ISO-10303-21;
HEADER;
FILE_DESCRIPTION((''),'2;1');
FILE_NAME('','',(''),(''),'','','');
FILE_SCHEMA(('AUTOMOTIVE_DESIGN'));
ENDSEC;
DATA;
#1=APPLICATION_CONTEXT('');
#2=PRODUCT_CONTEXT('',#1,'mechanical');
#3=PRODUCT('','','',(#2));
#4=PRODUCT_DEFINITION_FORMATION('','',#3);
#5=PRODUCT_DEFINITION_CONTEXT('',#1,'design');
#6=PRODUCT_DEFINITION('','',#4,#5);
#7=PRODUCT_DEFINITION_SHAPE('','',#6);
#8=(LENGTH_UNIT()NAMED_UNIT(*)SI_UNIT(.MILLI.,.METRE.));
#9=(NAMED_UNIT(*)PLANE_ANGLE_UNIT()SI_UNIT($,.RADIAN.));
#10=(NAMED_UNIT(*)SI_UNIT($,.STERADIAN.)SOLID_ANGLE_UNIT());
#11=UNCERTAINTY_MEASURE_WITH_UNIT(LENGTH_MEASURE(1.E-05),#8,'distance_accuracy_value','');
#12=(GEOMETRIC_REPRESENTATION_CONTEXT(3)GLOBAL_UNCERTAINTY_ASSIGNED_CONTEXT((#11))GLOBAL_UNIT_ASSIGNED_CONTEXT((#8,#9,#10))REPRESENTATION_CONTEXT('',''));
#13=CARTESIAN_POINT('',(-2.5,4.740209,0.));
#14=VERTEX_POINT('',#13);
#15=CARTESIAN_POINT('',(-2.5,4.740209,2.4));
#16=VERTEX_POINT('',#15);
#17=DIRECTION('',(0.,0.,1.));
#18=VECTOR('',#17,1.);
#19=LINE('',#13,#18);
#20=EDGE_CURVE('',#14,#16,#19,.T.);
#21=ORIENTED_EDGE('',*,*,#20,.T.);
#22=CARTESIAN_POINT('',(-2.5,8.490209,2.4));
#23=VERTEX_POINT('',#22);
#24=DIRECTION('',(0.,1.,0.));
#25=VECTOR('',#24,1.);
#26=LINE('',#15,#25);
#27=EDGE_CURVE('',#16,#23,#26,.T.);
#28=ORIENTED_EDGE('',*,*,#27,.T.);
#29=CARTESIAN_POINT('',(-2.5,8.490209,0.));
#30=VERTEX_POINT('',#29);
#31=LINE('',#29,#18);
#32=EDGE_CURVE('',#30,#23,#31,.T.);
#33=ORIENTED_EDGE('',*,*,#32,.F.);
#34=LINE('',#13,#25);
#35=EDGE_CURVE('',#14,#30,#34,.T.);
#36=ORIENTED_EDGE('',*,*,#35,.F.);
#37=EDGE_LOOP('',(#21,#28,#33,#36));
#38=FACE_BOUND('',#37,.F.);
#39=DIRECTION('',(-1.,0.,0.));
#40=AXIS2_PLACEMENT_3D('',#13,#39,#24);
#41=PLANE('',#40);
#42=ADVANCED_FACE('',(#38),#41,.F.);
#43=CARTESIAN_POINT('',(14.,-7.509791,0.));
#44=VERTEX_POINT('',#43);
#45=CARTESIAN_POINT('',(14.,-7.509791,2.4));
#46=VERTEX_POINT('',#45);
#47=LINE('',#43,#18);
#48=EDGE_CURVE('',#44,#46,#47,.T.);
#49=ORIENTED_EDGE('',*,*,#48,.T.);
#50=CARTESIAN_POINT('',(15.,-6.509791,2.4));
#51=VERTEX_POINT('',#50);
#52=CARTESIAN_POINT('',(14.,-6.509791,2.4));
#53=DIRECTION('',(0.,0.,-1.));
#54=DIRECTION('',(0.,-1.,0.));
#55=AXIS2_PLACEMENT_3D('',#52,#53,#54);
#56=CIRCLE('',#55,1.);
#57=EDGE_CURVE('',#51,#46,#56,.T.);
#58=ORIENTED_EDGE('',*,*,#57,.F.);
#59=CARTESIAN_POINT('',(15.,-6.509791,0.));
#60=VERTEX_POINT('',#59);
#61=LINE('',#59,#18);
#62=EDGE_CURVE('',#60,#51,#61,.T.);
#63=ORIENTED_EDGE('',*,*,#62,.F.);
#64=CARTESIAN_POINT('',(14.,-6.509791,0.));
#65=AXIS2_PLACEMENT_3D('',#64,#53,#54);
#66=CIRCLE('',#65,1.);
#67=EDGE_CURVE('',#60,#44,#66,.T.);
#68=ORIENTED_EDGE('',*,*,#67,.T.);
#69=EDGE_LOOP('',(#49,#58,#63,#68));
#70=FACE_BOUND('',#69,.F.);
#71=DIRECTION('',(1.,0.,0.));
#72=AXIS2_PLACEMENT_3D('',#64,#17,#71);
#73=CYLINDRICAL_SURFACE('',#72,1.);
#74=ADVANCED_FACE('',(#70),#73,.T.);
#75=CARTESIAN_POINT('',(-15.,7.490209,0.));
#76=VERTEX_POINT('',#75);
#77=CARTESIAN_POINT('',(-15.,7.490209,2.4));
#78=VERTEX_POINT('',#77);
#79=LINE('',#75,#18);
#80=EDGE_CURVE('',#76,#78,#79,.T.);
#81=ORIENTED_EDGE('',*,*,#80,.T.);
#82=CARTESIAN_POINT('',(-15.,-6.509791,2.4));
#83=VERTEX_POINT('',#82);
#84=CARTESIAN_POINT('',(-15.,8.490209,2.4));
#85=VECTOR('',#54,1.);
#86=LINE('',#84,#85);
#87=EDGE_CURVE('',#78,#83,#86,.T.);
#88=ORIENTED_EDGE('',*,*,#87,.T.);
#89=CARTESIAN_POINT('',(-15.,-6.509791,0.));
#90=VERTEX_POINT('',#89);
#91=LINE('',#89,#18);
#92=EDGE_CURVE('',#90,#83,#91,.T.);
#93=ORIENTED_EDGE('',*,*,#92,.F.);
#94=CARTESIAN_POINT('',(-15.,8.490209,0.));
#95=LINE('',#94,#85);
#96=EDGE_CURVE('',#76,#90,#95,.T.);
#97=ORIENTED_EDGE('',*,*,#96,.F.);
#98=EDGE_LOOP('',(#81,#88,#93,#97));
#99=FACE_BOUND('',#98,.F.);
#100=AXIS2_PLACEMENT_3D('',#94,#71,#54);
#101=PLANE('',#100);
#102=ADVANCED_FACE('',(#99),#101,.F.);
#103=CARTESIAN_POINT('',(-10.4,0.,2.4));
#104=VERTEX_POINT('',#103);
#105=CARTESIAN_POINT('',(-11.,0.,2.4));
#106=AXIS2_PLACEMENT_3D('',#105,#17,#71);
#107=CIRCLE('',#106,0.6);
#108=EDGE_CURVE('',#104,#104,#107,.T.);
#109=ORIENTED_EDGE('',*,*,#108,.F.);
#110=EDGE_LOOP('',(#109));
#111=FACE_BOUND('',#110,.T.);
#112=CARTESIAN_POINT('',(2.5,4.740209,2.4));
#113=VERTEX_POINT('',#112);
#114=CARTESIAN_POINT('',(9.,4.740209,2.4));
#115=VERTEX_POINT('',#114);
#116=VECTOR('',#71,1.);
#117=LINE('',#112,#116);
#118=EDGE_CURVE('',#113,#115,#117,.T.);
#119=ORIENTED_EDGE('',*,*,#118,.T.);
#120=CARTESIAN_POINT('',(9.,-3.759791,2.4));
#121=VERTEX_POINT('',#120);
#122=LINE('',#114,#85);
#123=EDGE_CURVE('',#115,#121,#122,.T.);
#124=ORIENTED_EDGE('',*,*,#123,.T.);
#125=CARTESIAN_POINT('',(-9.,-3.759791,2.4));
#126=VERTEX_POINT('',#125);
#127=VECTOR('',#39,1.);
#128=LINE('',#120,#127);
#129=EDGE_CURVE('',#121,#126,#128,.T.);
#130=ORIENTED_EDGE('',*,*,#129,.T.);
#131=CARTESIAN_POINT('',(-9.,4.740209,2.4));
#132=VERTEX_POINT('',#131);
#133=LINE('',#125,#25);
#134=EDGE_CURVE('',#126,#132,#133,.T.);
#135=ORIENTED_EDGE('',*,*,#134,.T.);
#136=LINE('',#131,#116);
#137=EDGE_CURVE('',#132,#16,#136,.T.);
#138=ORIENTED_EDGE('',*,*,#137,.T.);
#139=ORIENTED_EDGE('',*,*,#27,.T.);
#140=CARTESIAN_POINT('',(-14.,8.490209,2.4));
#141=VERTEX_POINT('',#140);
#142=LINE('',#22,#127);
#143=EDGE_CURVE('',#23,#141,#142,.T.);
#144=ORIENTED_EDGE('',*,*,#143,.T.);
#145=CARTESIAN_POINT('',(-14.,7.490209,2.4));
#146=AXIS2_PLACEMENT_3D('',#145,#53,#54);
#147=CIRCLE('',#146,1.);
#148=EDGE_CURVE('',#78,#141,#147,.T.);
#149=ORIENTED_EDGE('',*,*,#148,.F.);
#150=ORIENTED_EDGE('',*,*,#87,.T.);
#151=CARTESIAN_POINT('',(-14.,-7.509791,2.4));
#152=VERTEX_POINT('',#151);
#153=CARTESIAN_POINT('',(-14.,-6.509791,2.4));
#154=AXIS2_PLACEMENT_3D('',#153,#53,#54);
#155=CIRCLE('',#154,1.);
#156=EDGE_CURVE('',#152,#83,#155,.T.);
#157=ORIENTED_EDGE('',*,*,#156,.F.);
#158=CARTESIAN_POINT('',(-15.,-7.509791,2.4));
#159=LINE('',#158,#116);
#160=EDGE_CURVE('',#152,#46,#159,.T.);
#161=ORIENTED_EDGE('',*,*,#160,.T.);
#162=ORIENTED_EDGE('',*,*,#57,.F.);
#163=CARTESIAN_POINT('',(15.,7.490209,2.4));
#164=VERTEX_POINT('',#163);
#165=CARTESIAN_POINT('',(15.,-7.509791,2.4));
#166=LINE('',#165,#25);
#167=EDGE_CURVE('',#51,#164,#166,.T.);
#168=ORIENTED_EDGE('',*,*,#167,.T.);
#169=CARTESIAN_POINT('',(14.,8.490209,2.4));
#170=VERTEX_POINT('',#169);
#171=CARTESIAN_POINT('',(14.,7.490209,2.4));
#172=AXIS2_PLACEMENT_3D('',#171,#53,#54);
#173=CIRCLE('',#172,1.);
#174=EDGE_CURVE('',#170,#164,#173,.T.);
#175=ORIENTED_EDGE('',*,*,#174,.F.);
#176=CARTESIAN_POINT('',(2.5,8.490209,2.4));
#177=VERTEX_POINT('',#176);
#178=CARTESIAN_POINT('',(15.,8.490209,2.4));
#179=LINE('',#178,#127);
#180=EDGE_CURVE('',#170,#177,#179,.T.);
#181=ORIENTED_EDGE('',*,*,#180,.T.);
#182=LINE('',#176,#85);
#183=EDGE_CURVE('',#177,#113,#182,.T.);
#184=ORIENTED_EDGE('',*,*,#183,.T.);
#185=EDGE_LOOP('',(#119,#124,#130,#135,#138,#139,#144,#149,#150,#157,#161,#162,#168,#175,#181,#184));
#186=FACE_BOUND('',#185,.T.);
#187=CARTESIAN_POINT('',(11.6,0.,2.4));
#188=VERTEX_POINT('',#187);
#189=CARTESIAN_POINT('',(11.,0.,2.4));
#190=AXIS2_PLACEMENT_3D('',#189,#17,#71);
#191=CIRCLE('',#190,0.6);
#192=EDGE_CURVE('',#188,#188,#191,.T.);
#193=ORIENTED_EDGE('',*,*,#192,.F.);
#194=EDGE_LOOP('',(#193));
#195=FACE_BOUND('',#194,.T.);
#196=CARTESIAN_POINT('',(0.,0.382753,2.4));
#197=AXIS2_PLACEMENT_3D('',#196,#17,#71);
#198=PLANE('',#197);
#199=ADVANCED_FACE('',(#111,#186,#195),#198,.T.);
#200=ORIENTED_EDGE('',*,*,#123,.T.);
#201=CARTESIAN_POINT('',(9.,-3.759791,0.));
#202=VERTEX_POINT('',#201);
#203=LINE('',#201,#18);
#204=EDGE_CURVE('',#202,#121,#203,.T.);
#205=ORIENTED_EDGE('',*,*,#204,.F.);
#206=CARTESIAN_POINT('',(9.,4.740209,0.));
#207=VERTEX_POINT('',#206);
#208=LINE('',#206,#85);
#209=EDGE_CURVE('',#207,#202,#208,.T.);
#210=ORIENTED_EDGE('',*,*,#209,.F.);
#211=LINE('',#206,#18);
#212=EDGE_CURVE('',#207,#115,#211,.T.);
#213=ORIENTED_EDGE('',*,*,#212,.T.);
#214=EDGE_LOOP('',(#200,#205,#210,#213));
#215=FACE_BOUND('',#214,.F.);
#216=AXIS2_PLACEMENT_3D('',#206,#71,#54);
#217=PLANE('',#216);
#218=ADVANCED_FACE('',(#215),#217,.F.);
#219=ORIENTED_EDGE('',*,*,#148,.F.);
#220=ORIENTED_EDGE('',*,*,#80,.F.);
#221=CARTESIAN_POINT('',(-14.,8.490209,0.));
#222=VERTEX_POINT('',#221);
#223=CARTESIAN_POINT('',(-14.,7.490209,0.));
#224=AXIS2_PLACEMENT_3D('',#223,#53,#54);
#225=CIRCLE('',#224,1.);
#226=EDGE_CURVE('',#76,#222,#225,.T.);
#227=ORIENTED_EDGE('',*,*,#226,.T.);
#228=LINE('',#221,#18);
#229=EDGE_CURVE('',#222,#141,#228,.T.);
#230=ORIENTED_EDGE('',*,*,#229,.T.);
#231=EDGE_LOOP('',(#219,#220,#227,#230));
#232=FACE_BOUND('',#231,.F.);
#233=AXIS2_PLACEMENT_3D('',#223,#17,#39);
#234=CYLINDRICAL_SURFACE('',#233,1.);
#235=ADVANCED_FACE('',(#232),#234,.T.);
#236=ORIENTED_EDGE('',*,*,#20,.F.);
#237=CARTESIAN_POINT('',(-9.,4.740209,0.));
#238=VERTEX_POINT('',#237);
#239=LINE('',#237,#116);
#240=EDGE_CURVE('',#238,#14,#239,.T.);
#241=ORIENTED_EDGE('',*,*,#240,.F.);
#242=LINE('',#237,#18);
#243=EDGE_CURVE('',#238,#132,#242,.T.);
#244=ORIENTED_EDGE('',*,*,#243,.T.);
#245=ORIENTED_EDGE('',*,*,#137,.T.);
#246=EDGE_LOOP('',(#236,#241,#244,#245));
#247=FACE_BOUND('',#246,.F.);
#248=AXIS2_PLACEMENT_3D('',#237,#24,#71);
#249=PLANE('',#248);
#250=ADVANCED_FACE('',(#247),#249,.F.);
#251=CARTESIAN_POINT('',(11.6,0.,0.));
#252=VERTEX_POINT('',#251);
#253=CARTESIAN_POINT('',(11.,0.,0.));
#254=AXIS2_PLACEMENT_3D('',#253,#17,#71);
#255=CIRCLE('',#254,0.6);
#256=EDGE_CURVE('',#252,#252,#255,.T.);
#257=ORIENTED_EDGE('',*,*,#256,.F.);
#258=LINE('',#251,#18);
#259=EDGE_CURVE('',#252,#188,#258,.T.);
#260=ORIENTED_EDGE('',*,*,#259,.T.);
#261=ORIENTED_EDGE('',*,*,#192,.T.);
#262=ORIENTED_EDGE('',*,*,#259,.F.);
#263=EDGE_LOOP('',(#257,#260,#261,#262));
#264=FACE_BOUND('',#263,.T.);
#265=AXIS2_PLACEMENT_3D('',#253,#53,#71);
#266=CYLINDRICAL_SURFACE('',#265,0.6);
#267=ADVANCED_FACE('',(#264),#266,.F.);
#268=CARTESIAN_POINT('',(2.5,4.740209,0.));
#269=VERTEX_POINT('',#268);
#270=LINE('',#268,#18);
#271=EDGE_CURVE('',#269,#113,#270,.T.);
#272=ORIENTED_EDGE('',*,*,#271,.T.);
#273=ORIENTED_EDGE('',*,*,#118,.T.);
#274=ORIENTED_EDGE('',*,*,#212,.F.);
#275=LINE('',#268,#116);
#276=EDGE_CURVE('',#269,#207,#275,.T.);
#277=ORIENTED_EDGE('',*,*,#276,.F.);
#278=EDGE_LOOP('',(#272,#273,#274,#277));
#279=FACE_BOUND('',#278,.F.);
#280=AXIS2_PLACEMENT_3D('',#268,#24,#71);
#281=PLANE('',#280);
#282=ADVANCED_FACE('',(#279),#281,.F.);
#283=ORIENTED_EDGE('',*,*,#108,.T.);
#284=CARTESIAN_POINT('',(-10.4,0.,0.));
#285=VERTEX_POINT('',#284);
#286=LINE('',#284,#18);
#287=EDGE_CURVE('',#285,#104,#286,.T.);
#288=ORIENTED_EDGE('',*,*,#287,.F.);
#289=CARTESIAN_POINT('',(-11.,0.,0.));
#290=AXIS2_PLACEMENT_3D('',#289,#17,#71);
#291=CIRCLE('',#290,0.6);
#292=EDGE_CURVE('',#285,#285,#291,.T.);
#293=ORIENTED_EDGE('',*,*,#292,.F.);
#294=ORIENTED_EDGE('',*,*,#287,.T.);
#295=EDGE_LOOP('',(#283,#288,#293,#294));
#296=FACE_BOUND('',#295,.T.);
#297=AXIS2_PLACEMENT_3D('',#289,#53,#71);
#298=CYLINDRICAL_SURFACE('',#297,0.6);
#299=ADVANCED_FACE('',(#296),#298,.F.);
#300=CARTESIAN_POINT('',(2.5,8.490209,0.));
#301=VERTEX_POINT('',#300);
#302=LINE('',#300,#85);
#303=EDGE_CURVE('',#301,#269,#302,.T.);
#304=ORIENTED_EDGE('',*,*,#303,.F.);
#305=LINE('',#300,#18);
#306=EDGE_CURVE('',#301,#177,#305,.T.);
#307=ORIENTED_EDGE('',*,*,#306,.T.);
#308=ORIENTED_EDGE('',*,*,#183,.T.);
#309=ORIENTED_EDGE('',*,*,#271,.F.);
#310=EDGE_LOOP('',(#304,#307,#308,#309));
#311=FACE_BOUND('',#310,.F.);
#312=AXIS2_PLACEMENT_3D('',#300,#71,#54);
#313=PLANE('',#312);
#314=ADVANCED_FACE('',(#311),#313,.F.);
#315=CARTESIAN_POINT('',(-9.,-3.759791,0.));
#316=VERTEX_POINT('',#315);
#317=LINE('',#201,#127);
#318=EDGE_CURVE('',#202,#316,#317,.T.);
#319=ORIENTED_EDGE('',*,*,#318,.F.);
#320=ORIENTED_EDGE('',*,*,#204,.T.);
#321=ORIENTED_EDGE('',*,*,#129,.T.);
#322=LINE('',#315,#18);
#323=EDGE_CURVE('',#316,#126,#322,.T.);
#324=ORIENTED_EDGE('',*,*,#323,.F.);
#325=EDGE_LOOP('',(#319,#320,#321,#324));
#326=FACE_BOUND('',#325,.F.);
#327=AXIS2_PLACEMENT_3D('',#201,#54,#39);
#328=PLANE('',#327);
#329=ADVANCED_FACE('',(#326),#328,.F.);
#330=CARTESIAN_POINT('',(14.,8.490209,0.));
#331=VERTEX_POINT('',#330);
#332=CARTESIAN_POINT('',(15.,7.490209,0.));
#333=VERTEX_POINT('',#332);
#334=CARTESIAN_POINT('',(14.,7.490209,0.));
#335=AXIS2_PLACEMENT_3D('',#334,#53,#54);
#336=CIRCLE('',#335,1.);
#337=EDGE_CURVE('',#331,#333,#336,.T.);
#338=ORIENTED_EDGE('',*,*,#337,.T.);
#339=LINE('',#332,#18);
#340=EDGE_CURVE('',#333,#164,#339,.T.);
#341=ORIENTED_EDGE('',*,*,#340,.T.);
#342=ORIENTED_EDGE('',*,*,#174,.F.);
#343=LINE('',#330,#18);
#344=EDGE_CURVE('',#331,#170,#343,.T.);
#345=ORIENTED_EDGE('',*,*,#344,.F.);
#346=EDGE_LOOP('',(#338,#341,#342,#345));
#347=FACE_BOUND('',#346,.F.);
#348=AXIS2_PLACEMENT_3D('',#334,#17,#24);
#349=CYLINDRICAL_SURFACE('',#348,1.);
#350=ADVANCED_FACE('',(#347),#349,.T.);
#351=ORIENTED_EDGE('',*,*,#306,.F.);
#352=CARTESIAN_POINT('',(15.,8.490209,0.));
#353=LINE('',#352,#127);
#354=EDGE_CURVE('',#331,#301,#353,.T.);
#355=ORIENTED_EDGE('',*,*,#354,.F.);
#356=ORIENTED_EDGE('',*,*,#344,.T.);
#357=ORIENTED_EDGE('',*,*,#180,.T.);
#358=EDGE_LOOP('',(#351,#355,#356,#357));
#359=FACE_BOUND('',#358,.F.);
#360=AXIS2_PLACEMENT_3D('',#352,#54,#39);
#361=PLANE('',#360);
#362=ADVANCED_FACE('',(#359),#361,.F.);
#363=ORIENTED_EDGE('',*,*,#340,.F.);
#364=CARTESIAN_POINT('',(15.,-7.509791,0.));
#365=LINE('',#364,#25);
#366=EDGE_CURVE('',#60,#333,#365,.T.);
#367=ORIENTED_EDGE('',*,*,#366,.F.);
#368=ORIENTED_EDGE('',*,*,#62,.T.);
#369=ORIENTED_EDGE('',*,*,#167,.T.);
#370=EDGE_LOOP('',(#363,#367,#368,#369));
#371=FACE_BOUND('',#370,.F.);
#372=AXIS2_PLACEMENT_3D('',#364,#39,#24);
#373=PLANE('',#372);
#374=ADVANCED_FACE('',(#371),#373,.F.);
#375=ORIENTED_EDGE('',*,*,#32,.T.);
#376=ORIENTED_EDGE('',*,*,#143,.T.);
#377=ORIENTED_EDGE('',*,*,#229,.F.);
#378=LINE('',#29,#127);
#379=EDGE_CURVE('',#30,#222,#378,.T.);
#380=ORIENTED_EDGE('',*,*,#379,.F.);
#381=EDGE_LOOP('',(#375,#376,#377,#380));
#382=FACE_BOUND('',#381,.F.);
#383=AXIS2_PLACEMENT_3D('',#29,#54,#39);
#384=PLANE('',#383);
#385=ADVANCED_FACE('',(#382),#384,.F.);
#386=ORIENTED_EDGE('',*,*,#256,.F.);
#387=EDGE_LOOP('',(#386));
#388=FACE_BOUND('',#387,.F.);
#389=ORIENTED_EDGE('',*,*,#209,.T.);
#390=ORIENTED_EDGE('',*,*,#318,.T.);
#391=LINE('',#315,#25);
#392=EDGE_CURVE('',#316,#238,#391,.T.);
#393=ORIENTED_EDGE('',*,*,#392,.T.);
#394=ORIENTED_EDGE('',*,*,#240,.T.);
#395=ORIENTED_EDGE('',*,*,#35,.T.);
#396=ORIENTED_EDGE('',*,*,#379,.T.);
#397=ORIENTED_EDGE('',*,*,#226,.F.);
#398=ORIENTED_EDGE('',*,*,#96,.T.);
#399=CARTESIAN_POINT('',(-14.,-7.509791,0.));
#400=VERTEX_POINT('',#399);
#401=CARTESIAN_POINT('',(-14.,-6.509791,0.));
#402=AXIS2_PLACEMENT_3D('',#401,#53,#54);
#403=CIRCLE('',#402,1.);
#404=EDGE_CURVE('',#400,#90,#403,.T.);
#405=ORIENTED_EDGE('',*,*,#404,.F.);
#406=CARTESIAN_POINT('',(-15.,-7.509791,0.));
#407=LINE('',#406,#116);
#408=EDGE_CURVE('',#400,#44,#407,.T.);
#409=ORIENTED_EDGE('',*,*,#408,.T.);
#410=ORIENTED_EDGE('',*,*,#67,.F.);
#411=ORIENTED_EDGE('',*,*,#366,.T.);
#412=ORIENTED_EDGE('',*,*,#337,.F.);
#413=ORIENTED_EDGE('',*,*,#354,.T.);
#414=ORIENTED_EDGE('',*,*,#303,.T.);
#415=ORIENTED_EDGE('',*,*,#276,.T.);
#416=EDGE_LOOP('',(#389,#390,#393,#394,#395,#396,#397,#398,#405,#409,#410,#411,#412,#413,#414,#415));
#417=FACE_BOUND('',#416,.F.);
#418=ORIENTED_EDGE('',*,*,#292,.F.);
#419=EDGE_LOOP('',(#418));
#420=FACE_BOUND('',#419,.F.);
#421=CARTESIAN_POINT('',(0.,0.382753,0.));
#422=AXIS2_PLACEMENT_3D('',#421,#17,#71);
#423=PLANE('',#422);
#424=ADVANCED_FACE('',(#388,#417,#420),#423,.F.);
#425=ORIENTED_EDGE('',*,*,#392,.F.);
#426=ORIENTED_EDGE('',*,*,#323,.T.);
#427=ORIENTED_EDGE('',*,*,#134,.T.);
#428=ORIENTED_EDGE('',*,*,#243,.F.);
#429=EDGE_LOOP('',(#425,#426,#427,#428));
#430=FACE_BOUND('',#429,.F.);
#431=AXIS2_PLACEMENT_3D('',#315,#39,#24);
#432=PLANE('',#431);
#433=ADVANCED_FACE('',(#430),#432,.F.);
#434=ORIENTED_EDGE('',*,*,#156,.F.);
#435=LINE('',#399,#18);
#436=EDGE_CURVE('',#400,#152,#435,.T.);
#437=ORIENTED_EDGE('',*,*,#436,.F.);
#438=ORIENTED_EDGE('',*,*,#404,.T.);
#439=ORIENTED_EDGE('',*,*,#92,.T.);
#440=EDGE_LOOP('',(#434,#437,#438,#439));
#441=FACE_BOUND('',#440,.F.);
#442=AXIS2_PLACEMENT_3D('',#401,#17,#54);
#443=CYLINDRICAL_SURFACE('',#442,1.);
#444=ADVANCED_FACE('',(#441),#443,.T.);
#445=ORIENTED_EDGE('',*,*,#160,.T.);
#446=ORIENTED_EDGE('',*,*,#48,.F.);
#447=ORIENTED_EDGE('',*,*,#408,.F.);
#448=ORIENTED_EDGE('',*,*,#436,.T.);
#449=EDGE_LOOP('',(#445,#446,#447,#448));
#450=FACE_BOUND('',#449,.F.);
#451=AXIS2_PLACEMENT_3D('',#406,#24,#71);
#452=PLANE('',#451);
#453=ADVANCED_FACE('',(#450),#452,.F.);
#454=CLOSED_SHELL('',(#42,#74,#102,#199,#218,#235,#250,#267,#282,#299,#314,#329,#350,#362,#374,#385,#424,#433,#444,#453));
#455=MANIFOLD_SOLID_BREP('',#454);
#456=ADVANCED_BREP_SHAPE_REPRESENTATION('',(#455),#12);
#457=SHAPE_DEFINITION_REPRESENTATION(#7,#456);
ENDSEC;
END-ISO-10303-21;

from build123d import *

# Parameters (mm, degrees)
F0_R     = 0.6
F1_DEPTH = 2.4
F2_R     = 1


with BuildPart() as f1:
    # F0 (on Top) → F1 (new body)
    with BuildSketch(Plane.XY):
        Polygon((2.5, 8.490209), (2.5, 4.740209), (9, 4.740209), (9, -3.759791), (0, -3.759791), (-9, -3.759791), (-9, 4.740209), (-2.5, 4.740209), (-2.5, 8.490209), (-15, 8.490209), (-15, -7.509791), (0, -7.509791), (15, -7.509791), (15, 8.490209), align=None)
        with Locations((-11, 0)):
            Circle(F0_R, mode=Mode.SUBTRACT)
        with Locations((11, 0)):
            Circle(F0_R, mode=Mode.SUBTRACT)
    extrude(amount=F1_DEPTH)

    # F2
    f2_edges = [f1.edges().sort_by_distance(p)[0] for p in [
        (15, 8.490209, 1.2),
        (15, -7.509791, 1.2),
        (-15, 8.490209, 1.2),
        (-15, -7.509791, 1.2),
    ]]
    fillet(f2_edges, radius=F2_R)


solid = f1.part
